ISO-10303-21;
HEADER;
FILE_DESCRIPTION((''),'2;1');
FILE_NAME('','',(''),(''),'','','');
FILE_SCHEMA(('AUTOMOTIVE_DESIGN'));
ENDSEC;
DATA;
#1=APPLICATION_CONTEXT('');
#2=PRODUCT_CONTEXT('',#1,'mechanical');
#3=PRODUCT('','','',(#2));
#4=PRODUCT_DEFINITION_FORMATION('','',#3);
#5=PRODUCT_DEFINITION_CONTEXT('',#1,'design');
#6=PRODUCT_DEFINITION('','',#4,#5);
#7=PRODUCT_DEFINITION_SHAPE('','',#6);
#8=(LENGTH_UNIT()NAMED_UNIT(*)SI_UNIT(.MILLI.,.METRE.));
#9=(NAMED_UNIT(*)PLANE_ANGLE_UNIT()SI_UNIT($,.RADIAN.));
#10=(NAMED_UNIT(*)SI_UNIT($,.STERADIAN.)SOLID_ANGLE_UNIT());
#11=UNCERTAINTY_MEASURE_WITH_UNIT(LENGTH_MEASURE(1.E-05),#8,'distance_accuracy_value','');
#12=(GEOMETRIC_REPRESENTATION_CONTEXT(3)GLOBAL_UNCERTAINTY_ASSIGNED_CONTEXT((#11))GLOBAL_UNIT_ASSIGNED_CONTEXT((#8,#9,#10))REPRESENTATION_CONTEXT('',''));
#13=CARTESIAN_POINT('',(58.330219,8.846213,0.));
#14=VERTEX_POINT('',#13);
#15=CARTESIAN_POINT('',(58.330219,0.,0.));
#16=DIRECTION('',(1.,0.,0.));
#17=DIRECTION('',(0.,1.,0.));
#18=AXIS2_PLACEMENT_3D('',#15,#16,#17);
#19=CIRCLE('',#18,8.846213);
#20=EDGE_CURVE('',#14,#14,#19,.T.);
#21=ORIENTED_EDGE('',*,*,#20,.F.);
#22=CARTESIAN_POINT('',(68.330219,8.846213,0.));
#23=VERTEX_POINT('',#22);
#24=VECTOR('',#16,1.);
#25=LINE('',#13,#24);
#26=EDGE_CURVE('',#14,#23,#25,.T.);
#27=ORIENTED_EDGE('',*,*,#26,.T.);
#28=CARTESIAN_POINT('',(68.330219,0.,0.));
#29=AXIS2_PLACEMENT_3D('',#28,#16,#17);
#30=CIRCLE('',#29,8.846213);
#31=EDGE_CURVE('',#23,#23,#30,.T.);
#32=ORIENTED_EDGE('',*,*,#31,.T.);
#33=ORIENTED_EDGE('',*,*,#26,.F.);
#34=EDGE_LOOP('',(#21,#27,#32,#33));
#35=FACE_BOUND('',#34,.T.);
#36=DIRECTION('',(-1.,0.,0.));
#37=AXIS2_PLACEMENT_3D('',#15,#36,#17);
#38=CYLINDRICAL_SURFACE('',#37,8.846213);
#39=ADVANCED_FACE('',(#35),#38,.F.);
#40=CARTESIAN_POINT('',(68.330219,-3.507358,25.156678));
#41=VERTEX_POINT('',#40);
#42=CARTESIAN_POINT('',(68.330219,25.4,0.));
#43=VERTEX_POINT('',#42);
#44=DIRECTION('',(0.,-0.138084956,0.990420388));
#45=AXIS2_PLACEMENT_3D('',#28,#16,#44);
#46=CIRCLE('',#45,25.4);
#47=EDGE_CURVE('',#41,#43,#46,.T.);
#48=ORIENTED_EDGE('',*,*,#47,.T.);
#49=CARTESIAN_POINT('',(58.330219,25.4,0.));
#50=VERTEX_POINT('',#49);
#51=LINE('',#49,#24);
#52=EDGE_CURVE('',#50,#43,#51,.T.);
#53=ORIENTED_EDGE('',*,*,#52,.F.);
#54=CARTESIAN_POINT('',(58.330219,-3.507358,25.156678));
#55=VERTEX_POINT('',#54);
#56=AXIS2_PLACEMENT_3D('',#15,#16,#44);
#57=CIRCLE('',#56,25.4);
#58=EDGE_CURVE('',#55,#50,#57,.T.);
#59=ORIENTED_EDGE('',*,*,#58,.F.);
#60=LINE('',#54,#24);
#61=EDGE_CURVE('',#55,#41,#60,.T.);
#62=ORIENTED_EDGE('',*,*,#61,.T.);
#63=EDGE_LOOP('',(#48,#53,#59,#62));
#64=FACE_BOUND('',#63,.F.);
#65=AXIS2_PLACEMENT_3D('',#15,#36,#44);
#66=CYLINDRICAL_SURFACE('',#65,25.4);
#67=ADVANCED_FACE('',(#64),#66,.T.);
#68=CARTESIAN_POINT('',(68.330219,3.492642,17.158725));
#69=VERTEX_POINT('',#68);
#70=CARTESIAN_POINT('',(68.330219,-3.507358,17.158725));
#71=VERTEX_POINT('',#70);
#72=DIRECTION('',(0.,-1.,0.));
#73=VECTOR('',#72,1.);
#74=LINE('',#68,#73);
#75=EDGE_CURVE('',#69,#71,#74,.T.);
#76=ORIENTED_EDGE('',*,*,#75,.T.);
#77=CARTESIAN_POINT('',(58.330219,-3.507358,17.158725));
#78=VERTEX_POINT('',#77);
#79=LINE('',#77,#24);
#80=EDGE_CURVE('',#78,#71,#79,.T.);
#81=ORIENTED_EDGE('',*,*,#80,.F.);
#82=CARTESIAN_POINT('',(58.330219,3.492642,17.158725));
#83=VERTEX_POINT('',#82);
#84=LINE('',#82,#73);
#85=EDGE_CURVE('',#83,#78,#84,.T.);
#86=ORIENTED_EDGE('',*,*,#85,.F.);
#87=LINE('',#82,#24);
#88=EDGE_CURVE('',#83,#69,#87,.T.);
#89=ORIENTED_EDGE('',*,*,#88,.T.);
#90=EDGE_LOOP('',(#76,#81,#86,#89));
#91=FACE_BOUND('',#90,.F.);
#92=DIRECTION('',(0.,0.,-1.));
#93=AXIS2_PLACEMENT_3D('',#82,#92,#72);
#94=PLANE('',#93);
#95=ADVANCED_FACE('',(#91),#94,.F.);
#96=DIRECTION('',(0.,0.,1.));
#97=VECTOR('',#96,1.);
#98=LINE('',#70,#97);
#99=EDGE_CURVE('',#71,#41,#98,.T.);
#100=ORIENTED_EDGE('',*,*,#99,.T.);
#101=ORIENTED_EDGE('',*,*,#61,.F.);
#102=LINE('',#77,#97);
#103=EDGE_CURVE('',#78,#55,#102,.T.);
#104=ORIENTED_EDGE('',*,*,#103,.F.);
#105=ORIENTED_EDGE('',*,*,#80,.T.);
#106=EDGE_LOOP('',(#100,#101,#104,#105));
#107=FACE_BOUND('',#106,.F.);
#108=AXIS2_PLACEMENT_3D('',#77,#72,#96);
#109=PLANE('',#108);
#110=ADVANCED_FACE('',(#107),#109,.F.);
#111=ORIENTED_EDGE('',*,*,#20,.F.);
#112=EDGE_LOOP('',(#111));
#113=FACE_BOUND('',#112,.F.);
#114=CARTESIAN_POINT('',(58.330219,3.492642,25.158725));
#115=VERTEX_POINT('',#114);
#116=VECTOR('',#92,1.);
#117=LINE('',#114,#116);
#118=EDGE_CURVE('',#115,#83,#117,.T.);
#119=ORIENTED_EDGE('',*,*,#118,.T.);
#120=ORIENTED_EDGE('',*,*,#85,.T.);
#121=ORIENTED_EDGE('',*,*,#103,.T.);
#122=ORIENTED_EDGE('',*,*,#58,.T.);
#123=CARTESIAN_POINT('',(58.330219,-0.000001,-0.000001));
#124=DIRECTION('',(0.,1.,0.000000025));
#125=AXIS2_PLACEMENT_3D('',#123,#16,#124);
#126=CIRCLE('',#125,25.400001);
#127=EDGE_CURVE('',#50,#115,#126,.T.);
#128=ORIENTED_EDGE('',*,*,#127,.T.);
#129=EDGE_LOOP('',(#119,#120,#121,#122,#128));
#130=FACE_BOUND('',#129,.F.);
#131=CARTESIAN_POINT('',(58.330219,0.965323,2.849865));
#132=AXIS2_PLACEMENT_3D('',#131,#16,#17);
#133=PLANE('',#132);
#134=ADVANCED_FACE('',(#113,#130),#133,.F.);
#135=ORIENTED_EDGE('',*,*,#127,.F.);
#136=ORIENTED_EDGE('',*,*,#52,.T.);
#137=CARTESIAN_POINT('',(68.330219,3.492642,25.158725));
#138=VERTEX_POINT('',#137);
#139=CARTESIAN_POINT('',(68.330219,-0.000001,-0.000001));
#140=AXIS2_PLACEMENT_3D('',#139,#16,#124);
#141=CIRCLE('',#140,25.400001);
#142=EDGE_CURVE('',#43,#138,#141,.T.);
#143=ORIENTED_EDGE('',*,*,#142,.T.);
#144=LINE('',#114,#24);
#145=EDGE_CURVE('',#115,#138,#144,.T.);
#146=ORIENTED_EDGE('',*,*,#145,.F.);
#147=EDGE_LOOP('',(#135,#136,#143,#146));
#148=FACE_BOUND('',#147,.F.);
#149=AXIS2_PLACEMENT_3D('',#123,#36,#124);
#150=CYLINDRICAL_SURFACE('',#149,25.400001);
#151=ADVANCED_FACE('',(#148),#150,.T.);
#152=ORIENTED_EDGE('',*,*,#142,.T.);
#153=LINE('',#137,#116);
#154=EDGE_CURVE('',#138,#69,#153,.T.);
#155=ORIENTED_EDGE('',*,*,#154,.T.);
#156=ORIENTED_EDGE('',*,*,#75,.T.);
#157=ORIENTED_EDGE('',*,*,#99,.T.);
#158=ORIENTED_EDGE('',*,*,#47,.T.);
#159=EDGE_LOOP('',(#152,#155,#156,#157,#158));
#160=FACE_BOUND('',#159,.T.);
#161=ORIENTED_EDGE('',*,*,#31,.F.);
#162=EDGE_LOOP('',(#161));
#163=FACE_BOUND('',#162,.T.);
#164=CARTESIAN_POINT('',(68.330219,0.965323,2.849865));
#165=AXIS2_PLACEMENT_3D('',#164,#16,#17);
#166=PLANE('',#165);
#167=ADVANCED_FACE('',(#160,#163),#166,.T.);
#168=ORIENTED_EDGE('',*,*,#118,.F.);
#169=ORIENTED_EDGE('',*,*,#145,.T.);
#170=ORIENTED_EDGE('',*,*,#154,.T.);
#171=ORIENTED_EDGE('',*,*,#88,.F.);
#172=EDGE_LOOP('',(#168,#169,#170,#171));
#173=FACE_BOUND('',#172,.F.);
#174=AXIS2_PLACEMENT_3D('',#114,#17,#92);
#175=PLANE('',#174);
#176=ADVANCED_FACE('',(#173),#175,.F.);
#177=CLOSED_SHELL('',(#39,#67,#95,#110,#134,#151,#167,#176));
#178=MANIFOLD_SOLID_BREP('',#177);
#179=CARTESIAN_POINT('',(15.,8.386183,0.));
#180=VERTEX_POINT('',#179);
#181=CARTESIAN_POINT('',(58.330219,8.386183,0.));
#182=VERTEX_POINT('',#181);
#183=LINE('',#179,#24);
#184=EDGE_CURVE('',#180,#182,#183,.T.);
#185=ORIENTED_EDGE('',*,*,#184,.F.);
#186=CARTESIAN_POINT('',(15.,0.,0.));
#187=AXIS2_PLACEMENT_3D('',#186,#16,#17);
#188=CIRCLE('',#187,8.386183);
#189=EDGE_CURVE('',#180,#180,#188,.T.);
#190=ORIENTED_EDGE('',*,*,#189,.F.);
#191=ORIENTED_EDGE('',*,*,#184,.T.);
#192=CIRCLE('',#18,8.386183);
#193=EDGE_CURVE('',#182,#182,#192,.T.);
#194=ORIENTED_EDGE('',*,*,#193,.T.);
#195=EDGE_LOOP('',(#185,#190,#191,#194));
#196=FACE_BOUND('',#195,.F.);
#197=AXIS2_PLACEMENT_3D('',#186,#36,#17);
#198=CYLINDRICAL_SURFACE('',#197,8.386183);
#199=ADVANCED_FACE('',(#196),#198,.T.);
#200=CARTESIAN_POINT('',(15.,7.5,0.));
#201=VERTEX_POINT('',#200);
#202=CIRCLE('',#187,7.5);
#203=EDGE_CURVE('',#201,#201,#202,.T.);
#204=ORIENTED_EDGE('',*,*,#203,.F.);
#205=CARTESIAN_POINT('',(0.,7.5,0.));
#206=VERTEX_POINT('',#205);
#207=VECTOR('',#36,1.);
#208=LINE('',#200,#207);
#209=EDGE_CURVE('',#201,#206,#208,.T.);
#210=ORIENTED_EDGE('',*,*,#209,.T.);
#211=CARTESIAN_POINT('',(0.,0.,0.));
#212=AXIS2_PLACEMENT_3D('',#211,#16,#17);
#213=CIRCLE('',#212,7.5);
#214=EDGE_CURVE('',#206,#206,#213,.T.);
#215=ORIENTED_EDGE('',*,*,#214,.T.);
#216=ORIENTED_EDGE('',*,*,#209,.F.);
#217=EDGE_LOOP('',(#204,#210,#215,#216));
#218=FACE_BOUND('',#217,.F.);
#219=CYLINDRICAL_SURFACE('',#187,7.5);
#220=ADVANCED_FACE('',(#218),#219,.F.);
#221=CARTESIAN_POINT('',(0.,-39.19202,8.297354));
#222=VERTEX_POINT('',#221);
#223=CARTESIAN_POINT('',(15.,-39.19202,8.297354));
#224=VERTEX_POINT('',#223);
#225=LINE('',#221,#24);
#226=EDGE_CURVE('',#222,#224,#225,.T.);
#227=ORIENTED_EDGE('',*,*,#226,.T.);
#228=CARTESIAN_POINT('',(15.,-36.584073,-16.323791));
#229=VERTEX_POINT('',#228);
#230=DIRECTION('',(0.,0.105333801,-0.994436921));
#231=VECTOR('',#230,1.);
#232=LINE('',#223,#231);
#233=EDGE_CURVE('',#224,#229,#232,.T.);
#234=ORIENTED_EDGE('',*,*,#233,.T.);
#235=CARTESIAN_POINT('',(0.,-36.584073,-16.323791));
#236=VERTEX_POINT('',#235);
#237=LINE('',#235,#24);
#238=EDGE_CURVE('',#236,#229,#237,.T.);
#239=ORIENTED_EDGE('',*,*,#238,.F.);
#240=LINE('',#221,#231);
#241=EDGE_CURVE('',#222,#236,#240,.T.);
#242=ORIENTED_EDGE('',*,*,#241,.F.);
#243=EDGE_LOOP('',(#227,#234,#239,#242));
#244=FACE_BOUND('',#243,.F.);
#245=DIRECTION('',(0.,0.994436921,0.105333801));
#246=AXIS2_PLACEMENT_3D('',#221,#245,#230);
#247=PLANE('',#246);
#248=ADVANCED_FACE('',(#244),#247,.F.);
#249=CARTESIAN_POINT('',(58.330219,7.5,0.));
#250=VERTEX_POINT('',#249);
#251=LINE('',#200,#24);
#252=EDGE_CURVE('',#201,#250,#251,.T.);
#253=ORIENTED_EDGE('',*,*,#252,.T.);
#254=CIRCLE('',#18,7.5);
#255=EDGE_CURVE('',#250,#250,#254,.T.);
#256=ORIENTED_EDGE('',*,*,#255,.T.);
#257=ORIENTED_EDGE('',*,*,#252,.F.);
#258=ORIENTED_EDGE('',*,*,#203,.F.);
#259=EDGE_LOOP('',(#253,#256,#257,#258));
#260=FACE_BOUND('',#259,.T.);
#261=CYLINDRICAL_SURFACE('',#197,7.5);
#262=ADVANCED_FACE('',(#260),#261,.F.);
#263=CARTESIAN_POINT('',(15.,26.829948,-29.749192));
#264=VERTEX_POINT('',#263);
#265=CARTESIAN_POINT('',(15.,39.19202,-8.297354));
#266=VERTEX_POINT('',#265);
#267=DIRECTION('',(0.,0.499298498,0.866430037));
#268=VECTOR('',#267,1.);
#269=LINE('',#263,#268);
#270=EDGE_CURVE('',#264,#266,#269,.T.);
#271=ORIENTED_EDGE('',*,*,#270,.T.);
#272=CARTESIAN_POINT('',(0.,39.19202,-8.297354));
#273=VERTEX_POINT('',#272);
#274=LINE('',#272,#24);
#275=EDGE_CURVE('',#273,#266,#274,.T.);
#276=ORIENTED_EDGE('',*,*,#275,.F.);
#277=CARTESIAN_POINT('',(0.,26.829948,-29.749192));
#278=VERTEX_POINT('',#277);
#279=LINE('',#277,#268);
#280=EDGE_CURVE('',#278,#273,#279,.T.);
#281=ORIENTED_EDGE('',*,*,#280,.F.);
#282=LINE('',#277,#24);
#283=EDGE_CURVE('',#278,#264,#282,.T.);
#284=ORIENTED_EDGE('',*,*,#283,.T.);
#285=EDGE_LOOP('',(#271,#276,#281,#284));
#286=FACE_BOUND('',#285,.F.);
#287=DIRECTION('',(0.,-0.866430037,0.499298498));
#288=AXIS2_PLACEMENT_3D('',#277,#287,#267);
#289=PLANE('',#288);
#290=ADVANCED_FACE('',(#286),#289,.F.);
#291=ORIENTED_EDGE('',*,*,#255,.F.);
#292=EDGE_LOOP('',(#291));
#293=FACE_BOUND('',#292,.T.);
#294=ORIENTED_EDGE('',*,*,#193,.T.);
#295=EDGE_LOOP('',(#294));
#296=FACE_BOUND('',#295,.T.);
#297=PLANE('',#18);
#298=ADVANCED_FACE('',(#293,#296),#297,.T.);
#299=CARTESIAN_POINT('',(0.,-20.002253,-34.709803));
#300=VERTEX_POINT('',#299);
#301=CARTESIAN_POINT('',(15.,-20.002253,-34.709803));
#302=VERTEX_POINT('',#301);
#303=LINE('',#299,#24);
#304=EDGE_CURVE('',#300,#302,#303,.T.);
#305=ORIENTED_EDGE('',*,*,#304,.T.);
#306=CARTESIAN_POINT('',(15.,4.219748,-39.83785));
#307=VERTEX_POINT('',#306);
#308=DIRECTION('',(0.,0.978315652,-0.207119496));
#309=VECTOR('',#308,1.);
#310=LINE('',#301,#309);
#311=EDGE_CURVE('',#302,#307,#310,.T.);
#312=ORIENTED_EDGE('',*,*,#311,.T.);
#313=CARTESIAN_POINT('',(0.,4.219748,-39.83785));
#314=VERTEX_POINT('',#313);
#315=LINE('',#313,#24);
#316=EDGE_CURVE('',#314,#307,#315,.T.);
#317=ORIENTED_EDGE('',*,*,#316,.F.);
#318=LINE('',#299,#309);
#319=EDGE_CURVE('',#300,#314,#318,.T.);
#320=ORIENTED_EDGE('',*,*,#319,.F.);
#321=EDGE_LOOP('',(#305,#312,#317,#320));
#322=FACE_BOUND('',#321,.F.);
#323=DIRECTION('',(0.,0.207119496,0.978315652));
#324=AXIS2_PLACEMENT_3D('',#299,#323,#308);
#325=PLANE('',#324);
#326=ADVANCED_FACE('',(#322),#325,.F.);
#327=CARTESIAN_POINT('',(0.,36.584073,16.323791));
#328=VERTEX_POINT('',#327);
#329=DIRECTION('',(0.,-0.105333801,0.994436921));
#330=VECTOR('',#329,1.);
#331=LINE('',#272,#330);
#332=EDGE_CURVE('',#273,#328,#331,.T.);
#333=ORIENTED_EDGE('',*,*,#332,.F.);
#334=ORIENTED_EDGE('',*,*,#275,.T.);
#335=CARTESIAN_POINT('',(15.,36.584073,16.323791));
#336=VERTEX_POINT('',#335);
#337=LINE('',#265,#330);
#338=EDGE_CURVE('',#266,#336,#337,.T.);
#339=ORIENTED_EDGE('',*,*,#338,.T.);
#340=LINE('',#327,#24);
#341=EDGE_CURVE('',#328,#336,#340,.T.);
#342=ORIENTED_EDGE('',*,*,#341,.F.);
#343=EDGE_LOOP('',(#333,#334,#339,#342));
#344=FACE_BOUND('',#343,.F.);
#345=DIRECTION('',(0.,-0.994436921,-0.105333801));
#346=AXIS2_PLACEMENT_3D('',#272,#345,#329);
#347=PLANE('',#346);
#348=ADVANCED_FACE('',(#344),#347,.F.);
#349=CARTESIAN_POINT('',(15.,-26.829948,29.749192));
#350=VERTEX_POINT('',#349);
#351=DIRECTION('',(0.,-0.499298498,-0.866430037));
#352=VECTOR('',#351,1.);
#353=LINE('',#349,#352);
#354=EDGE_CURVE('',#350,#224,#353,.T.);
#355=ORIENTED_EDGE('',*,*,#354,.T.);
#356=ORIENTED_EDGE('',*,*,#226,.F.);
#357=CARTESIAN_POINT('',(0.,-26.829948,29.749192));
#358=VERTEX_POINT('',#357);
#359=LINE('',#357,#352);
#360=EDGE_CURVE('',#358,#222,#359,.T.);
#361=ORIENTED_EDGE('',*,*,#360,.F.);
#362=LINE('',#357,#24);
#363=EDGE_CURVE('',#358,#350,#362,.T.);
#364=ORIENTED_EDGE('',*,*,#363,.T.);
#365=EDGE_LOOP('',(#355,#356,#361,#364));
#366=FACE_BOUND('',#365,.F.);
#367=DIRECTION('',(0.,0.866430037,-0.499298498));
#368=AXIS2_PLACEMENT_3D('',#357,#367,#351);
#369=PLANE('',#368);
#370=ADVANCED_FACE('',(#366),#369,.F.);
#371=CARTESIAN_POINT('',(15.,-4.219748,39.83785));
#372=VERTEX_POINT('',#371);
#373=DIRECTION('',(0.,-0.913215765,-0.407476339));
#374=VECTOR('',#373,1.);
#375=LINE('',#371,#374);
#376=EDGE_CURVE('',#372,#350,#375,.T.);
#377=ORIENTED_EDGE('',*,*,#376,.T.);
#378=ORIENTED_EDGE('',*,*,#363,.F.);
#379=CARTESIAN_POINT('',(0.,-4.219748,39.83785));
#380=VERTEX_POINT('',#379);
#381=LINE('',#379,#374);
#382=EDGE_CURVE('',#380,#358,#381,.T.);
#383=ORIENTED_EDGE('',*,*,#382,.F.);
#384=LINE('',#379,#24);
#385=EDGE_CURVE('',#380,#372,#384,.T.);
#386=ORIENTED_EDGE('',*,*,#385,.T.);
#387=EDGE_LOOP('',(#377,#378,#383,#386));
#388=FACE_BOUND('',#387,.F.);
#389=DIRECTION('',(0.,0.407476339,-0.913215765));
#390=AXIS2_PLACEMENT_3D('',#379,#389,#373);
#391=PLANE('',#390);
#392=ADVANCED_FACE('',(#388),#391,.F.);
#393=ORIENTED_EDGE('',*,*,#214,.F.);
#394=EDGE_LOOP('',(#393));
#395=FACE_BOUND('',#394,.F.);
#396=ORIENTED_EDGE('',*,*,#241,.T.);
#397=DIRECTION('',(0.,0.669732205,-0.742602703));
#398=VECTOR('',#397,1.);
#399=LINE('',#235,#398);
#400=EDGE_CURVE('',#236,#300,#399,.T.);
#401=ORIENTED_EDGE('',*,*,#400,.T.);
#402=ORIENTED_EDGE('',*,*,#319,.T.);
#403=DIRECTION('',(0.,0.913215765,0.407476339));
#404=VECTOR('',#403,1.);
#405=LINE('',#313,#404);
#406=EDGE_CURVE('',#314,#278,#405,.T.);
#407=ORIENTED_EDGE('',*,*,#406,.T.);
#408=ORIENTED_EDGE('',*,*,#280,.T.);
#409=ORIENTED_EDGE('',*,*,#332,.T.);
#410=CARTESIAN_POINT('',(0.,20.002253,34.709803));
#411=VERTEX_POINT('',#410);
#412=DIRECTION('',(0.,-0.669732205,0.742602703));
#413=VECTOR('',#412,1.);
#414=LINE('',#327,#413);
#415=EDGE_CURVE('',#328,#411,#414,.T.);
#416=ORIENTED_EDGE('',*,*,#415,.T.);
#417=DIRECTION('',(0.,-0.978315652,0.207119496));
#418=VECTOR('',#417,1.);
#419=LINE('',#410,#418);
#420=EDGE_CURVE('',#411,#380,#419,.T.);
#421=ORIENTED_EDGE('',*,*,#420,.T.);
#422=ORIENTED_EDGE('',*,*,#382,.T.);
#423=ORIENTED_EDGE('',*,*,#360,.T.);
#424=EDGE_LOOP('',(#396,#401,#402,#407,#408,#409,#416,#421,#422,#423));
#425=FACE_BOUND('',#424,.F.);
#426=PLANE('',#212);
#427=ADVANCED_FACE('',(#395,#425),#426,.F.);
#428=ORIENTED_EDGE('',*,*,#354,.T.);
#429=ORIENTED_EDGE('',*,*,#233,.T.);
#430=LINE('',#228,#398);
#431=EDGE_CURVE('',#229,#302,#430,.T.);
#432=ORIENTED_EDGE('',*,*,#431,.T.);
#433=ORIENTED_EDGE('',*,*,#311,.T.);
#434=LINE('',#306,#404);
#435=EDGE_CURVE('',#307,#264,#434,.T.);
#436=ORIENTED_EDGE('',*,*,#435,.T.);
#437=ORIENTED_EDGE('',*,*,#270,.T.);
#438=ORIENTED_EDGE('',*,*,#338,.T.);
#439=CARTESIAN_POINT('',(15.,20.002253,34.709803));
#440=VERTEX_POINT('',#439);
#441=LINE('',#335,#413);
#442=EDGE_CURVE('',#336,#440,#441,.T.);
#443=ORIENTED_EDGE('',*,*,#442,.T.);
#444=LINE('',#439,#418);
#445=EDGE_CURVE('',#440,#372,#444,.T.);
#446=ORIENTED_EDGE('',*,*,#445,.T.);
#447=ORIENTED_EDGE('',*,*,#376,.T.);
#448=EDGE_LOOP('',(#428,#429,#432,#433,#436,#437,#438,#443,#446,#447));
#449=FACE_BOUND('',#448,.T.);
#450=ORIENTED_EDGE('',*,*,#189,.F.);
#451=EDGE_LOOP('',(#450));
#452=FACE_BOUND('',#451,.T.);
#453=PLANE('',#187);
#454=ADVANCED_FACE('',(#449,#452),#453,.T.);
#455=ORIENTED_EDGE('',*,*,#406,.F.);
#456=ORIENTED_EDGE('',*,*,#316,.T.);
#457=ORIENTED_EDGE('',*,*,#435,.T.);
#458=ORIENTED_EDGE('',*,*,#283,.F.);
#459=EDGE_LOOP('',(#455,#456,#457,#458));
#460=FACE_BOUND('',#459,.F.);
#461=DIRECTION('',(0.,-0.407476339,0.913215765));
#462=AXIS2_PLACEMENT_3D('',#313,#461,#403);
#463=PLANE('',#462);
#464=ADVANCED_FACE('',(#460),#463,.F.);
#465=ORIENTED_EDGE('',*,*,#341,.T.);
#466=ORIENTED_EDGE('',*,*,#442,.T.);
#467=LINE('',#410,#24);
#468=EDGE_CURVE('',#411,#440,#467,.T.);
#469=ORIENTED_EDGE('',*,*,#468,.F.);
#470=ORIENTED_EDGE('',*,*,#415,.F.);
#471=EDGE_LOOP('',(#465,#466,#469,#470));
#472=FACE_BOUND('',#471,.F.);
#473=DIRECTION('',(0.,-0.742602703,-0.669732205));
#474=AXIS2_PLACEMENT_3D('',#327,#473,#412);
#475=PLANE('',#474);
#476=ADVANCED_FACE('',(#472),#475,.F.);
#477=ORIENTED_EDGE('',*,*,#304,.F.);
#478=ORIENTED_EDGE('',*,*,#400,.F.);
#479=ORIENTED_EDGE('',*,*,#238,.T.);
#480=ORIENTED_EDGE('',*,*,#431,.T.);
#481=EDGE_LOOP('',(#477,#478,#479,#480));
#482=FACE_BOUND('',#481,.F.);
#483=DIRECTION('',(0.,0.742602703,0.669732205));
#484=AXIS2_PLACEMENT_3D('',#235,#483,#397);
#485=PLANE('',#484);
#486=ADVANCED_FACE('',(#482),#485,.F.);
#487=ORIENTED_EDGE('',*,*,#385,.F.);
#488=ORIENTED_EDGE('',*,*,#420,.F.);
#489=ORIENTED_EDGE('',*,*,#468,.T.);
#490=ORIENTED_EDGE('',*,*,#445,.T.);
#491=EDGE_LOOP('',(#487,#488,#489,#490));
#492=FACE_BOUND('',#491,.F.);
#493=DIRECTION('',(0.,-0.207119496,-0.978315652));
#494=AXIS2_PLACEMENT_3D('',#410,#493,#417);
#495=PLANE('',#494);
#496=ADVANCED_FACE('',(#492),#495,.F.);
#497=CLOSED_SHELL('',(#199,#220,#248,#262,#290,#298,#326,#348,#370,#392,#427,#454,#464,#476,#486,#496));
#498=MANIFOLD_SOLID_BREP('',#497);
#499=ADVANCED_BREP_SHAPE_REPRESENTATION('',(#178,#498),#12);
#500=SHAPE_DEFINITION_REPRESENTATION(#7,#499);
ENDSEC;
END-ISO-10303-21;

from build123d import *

# Parameters (mm, degrees)
F1_DEPTH = 15
F2_R     = 7.5
F3_DEPTH = 25.4
F2_R_2   = 8.386183
F4_DEPTH = 43.330219
F5_R     = 8.846213
F6_DEPTH = 10


with BuildPart() as f1:
    # F0 (on Right) → F1 (new body)
    with BuildSketch(Plane.YZ):
        Polygon((26.829948, -29.749192), (39.19202, -8.297354), (36.584073, 16.323791), (20.002253, 34.709803), (-4.219748, 39.83785), (-26.829948, 29.749192), (-39.19202, 8.297354), (-36.584073, -16.323791), (-20.002253, -34.709803), (4.219748, -39.83785), align=None)
    extrude(amount=F1_DEPTH)

    # F2 (on face) → F3 (cut)
    with BuildSketch(Plane.YZ.offset(15)):
        Circle(F2_R)
    extrude(amount=-F3_DEPTH, mode=Mode.SUBTRACT)

    # F2 (on face) → F4 (join)
    with BuildSketch(Plane.YZ.offset(15)):
        Circle(F2_R_2)
        Circle(F2_R, mode=Mode.SUBTRACT)
    extrude(amount=F4_DEPTH)


with BuildPart() as f6:
    # F5 (on face) → F6 (new body)
    with BuildSketch(Plane.YZ.offset(58.330219)):
        with BuildLine():
            ThreePointArc((-3.507358, 25.156678), (-16.674428, -19.160466), (25.4, 0))
            ThreePointArc((25.4, 0), (19.155588, 16.680031), (3.492642, 25.158725))
            Line((3.492642, 25.158725), (3.492642, 17.158725))
            Line((3.492642, 17.158725), (-3.507358, 17.158725))
            Line((-3.507358, 17.158725), (-3.507358, 25.156678))
        make_face()
        Circle(F5_R, mode=Mode.SUBTRACT)
    extrude(amount=F6_DEPTH)


solid = Compound([f1.part, f6.part])
